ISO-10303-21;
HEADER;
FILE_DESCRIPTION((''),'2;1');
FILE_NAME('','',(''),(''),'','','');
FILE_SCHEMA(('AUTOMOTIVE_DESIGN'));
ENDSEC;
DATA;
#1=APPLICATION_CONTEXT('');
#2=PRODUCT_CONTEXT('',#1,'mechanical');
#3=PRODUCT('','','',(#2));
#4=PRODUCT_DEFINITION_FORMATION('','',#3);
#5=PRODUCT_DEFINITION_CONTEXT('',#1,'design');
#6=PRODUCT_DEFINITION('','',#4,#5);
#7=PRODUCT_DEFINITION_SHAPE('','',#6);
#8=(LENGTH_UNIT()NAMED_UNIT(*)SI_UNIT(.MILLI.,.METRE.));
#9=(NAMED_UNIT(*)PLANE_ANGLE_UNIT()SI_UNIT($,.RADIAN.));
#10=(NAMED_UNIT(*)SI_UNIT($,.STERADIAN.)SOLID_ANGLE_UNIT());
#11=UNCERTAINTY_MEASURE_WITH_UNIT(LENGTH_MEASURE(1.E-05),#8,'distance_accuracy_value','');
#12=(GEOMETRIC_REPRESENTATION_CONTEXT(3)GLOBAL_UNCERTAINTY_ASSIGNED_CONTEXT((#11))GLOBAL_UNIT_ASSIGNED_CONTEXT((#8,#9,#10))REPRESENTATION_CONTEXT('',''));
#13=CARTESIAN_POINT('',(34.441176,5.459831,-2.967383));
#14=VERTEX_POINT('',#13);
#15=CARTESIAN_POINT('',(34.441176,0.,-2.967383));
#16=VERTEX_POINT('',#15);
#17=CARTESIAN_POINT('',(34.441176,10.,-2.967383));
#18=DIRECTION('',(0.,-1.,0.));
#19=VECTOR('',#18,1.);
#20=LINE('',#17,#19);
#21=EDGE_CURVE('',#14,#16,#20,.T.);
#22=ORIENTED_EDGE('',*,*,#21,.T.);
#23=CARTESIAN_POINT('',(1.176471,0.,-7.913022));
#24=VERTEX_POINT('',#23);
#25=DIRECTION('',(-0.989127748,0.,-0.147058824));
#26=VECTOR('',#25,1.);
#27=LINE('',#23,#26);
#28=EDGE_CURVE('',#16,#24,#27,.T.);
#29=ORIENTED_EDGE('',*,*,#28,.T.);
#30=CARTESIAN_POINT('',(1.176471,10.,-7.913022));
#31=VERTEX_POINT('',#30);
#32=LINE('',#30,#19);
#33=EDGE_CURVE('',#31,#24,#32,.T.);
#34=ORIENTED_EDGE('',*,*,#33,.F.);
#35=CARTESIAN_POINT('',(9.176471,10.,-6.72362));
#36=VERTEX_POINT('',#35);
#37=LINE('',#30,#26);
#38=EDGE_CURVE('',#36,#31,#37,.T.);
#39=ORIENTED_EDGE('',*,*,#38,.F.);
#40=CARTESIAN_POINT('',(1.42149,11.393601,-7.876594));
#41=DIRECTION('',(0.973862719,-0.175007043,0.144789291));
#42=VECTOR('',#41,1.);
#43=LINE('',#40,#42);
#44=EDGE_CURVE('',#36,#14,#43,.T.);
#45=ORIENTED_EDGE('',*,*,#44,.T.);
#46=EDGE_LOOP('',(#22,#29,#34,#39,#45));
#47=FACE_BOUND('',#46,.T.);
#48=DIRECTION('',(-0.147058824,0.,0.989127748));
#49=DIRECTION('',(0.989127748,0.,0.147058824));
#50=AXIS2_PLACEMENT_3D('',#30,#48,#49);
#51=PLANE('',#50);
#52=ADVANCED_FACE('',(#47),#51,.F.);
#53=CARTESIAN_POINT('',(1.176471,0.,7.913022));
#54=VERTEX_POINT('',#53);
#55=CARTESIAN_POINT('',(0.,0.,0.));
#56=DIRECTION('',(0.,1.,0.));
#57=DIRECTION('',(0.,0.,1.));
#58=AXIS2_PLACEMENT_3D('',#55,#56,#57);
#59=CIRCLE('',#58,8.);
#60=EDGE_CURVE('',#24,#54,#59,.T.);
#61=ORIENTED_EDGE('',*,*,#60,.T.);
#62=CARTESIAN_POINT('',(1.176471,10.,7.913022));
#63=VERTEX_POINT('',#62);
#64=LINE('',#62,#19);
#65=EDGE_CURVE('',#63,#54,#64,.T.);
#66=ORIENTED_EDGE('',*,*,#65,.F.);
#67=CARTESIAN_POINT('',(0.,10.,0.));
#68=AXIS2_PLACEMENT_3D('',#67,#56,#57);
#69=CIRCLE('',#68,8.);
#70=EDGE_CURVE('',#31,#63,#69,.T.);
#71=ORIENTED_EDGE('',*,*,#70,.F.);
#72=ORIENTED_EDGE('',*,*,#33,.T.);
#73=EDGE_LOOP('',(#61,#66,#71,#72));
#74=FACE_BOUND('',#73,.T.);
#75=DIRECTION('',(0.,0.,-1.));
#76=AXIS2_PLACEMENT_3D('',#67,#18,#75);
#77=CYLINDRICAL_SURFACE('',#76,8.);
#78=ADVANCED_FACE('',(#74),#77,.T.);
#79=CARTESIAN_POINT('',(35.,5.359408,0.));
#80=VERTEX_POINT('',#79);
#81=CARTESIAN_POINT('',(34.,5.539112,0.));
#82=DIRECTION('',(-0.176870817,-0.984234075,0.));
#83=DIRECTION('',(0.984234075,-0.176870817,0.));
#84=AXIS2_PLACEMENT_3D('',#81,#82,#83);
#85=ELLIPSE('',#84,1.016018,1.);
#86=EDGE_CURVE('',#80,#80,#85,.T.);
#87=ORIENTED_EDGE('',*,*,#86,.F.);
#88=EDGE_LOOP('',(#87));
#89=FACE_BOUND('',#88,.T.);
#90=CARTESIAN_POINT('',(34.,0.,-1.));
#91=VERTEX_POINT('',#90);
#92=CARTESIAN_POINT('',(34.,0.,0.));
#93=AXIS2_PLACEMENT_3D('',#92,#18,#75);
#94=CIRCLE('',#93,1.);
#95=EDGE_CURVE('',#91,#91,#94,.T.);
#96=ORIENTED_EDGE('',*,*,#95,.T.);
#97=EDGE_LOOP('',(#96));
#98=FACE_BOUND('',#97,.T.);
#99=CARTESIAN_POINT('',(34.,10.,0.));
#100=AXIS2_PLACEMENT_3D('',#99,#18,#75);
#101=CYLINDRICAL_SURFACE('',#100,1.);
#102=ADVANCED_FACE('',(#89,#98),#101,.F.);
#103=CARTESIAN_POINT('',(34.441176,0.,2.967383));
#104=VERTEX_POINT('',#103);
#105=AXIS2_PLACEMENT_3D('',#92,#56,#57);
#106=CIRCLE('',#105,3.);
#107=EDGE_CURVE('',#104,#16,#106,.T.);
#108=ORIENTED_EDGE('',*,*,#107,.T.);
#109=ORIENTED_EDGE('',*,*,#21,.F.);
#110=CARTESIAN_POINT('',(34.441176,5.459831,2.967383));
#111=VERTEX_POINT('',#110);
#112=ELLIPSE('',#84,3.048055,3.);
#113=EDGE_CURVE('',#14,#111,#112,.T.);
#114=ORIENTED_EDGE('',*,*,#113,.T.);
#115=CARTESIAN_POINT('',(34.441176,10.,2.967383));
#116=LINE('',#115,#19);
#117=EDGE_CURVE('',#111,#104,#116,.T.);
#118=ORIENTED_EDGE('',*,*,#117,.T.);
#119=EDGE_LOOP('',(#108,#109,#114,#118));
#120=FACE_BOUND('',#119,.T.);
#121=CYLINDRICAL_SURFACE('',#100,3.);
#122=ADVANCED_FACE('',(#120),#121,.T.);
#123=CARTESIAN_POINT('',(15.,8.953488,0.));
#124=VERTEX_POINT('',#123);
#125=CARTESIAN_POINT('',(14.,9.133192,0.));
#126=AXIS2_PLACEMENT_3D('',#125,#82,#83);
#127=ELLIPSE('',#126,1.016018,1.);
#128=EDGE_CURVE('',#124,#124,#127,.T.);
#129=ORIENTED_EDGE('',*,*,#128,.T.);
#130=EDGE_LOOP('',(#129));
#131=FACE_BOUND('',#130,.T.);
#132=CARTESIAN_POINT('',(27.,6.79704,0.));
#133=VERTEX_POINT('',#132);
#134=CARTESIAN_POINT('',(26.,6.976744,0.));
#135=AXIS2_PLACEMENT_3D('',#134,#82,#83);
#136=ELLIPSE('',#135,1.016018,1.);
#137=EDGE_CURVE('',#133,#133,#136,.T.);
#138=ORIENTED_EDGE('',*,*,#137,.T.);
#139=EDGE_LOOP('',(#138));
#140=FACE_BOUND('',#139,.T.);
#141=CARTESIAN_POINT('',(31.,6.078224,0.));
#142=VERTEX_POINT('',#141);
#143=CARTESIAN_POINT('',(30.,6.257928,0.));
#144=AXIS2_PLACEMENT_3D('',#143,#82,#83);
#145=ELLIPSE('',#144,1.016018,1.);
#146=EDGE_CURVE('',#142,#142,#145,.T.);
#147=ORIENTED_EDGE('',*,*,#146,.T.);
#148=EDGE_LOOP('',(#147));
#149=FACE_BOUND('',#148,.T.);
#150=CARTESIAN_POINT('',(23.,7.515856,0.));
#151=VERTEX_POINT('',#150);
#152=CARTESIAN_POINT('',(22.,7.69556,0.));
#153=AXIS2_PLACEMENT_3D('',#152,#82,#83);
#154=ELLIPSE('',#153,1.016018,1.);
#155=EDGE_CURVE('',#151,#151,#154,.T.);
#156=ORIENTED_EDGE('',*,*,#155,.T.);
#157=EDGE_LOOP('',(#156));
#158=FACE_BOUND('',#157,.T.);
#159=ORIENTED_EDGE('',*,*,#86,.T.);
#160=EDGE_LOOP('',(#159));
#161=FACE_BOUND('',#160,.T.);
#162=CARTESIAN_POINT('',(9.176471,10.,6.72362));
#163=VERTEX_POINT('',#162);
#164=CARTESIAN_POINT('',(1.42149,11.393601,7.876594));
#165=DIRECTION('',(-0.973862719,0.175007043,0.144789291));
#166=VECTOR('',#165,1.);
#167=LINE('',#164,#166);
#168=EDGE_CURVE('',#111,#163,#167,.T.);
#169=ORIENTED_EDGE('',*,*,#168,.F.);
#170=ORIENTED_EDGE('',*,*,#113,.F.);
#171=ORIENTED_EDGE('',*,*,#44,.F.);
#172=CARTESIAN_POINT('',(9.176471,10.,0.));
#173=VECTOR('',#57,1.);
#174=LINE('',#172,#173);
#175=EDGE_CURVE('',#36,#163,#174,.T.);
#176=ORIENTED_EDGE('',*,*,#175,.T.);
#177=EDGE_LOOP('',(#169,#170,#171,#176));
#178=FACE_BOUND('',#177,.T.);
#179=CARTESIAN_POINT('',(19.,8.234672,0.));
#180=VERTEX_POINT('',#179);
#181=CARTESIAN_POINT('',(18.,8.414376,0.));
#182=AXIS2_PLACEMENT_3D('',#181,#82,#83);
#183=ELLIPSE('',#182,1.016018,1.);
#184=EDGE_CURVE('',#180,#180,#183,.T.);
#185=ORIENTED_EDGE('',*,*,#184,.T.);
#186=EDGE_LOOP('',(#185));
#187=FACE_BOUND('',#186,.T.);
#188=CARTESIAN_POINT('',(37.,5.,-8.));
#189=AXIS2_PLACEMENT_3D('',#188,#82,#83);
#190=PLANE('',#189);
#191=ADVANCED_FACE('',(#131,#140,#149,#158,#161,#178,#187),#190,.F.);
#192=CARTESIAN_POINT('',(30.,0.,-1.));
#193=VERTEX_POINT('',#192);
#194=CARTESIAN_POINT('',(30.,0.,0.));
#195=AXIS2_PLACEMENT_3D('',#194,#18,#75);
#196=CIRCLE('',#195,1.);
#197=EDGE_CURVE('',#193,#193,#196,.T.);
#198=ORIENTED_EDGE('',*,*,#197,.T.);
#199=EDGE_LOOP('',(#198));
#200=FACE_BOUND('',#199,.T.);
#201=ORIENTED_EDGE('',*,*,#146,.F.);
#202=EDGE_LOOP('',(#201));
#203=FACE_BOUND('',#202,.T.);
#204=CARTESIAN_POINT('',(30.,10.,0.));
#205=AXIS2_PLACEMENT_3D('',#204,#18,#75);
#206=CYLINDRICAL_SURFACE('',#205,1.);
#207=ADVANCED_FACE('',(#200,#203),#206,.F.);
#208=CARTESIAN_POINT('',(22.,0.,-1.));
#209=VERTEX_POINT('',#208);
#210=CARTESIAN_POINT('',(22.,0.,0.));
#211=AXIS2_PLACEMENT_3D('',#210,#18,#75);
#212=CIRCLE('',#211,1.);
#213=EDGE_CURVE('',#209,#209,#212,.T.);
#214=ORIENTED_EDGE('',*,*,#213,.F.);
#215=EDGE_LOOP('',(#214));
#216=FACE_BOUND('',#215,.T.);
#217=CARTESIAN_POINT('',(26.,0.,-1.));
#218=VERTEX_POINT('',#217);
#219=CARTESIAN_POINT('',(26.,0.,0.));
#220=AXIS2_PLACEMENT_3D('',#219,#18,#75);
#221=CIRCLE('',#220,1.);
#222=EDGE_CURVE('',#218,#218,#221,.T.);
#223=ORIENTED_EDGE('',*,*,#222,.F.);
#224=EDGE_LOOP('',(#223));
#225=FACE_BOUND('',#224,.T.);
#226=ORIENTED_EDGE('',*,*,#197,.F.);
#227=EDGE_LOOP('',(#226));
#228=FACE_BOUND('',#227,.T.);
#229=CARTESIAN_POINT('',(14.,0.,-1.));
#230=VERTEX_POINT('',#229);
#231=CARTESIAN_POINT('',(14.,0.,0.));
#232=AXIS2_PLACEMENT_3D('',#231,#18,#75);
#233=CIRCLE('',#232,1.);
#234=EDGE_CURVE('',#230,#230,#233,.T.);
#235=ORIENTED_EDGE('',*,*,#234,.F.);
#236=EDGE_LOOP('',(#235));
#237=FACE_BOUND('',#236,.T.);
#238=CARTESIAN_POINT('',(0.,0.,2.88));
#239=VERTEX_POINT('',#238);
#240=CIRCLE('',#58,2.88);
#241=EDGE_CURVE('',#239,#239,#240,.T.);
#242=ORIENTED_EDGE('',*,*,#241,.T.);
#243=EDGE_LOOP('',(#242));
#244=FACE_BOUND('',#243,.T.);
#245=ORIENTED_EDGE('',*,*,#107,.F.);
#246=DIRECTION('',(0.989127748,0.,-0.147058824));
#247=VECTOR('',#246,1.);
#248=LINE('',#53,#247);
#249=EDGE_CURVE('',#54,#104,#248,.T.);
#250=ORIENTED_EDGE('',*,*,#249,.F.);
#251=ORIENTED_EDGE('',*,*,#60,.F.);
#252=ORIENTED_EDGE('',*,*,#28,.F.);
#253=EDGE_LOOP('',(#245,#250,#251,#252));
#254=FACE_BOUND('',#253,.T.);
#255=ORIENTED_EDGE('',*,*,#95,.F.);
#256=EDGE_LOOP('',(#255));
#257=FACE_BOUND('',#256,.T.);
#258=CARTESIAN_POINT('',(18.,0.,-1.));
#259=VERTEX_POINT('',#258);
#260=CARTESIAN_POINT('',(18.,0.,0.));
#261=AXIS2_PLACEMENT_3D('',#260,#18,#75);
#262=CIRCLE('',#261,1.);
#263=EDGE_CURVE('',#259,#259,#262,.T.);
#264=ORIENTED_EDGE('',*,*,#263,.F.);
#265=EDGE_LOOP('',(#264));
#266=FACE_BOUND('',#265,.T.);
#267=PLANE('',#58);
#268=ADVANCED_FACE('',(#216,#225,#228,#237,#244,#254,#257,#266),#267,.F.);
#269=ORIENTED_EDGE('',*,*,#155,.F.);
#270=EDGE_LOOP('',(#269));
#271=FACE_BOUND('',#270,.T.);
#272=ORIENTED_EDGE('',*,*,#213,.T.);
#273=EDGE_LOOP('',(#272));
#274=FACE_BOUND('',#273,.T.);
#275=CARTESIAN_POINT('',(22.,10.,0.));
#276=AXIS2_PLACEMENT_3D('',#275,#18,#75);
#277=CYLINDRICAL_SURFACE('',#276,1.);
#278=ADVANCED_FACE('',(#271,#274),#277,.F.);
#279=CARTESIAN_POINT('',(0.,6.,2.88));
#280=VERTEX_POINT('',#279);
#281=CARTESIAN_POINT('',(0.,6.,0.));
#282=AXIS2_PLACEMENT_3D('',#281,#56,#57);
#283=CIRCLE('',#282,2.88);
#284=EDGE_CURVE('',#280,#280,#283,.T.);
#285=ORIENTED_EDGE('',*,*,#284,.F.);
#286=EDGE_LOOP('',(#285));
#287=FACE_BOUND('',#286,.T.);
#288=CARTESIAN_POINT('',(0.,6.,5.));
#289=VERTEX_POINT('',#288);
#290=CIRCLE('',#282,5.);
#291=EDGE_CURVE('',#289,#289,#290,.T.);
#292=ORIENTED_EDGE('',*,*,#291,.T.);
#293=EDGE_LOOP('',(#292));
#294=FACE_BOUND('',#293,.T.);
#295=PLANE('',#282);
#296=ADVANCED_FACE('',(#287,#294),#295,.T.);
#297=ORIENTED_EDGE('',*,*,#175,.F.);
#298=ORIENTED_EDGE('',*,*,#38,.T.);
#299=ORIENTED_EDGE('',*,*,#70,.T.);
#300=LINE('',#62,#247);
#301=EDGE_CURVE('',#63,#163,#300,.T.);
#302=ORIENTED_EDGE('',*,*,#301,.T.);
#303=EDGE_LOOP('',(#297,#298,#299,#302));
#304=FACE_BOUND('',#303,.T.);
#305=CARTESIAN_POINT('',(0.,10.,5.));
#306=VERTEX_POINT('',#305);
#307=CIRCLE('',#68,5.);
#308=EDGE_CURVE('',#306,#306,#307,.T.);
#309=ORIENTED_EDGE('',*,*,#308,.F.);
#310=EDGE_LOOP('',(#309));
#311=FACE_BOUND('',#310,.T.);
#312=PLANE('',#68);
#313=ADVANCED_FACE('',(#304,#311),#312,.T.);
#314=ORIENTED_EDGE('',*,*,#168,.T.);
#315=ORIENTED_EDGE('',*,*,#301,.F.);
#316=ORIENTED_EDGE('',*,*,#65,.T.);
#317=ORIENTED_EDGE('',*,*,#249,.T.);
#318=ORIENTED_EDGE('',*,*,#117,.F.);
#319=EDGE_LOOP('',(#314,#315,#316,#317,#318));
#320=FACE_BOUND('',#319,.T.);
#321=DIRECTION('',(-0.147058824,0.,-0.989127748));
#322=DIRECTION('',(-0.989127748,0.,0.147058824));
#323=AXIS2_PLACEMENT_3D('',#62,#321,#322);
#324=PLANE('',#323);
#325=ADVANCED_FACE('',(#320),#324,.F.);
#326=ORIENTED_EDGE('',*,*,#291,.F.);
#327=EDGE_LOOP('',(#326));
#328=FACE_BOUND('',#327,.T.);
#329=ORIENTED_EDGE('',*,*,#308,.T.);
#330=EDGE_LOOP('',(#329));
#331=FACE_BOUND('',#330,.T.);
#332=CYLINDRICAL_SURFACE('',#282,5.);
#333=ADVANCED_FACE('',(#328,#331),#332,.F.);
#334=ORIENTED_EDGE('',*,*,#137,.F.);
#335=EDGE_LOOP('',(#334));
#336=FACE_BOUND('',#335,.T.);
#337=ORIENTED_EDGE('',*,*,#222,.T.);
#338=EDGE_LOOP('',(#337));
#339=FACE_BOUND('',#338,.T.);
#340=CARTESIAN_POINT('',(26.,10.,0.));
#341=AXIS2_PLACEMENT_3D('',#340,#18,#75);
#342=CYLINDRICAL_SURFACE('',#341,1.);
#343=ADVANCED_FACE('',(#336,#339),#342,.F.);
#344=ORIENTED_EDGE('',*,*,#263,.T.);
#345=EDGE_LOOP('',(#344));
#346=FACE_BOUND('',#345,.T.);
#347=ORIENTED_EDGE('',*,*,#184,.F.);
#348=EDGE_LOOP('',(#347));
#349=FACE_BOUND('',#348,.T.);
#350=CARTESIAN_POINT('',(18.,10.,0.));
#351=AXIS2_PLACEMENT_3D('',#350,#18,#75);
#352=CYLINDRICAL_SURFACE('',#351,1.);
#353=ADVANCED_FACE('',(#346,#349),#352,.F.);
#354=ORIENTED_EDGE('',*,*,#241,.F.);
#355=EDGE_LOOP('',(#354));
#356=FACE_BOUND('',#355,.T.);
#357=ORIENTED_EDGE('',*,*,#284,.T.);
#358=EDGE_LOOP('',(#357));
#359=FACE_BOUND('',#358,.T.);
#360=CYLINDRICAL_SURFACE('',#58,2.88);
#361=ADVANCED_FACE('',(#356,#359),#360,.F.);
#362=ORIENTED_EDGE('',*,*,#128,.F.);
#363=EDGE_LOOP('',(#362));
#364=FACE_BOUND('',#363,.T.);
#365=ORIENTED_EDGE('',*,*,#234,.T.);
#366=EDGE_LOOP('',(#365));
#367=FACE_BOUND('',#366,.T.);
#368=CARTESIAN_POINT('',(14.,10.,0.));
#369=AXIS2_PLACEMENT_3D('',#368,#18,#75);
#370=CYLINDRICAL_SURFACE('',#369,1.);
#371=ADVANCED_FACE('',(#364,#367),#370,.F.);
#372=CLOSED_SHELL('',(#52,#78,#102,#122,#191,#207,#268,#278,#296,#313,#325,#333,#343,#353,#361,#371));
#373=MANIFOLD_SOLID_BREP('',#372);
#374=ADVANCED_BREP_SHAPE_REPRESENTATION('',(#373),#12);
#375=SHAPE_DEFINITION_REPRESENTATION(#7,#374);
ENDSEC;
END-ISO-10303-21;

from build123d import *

# Parameters (mm, degrees)
EXTRUDE_1_DEPTH          = 10
CUT_EXTRUDE_1_DEPTH      = 40.153543901
CUT_EXTRUDE_1_DEPTH_BACK = 40.153543901
SKETCH_4_R               = 5
CUT_EXTRUDE_2_DEPTH      = 4
SKETCH_5_R               = 2.88
CUT_EXTRUDE_3_DEPTH      = 6
SKETCH_6_R               = 1
CUT_EXTRUDE_4_DEPTH      = 40.153543901


with BuildPart() as part:
    # Эскиз1 → Бобышка-Вытянуть1 (new body)
    with BuildSketch(Plane(origin=(0, 0, 0), x_dir=(1, 0, 0), z_dir=(0, 1, 0))):
        with BuildLine():
            Line((1.176470588, 7.913021986), (34.441176471, 2.967383245))
            ThreePointArc((34.441176471, 2.967383245), (37, 0), (34.441176471, -2.967383245))
            Line((34.441176471, -2.967383245), (1.176470588, -7.913021986))
            ThreePointArc((1.176470588, -7.913021986), (-8, 0), (1.176470588, 7.913021986))
        make_face()
    extrude(amount=EXTRUDE_1_DEPTH)

    # Эскиз3 → Вырез-Вытянуть1 (cut, two sides: drawn at the far end of the back side and taken through both)
    with BuildSketch(Plane.XY.offset(-CUT_EXTRUDE_1_DEPTH_BACK)):
        Polygon((37, 5), (9.176470588, 10), (37, 10), align=None)
    extrude(amount=CUT_EXTRUDE_1_DEPTH + CUT_EXTRUDE_1_DEPTH_BACK, mode=Mode.SUBTRACT)

    # Эскиз4 → Вырез-Вытянуть2 (cut)
    with BuildSketch(Plane(origin=(0, 10, 0), x_dir=(1, 0, 0), z_dir=(0, 1, 0))):
        with Locations(Location((0, 0, 0), (0, 0, 270))):
            Circle(SKETCH_4_R)
    extrude(amount=-CUT_EXTRUDE_2_DEPTH, mode=Mode.SUBTRACT)

    # Эскиз5 → Вырез-Вытянуть3 (cut)
    with BuildSketch(Plane(origin=(0, 6, 0), x_dir=(1, 0, 0), z_dir=(0, 1, 0))):
        with Locations(Location((0, 0, 0), (0, 0, 270))):
            Circle(SKETCH_5_R)
    extrude(amount=-CUT_EXTRUDE_3_DEPTH, mode=Mode.SUBTRACT)

    # Эскиз6 → Вырез-Вытянуть4 (cut, through all)
    with BuildSketch(Plane.XZ):
        with Locations(Location((34, 0, 0), (0, 0, 270))):
            Circle(SKETCH_6_R)
        with Locations(Location((30, 0, 0), (0, 0, 270))):
            Circle(SKETCH_6_R)
        with Locations(Location((26, 0, 0), (0, 0, 270))):
            Circle(SKETCH_6_R)
        with Locations(Location((22, 0, 0), (0, 0, 270))):
            Circle(SKETCH_6_R)
        with Locations(Location((18, 0, 0), (0, 0, 270))):
            Circle(SKETCH_6_R)
        with Locations(Location((14, 0, 0), (0, 0, 270))):
            Circle(SKETCH_6_R)
    extrude(amount=-CUT_EXTRUDE_4_DEPTH, mode=Mode.SUBTRACT)


solid = part.part
